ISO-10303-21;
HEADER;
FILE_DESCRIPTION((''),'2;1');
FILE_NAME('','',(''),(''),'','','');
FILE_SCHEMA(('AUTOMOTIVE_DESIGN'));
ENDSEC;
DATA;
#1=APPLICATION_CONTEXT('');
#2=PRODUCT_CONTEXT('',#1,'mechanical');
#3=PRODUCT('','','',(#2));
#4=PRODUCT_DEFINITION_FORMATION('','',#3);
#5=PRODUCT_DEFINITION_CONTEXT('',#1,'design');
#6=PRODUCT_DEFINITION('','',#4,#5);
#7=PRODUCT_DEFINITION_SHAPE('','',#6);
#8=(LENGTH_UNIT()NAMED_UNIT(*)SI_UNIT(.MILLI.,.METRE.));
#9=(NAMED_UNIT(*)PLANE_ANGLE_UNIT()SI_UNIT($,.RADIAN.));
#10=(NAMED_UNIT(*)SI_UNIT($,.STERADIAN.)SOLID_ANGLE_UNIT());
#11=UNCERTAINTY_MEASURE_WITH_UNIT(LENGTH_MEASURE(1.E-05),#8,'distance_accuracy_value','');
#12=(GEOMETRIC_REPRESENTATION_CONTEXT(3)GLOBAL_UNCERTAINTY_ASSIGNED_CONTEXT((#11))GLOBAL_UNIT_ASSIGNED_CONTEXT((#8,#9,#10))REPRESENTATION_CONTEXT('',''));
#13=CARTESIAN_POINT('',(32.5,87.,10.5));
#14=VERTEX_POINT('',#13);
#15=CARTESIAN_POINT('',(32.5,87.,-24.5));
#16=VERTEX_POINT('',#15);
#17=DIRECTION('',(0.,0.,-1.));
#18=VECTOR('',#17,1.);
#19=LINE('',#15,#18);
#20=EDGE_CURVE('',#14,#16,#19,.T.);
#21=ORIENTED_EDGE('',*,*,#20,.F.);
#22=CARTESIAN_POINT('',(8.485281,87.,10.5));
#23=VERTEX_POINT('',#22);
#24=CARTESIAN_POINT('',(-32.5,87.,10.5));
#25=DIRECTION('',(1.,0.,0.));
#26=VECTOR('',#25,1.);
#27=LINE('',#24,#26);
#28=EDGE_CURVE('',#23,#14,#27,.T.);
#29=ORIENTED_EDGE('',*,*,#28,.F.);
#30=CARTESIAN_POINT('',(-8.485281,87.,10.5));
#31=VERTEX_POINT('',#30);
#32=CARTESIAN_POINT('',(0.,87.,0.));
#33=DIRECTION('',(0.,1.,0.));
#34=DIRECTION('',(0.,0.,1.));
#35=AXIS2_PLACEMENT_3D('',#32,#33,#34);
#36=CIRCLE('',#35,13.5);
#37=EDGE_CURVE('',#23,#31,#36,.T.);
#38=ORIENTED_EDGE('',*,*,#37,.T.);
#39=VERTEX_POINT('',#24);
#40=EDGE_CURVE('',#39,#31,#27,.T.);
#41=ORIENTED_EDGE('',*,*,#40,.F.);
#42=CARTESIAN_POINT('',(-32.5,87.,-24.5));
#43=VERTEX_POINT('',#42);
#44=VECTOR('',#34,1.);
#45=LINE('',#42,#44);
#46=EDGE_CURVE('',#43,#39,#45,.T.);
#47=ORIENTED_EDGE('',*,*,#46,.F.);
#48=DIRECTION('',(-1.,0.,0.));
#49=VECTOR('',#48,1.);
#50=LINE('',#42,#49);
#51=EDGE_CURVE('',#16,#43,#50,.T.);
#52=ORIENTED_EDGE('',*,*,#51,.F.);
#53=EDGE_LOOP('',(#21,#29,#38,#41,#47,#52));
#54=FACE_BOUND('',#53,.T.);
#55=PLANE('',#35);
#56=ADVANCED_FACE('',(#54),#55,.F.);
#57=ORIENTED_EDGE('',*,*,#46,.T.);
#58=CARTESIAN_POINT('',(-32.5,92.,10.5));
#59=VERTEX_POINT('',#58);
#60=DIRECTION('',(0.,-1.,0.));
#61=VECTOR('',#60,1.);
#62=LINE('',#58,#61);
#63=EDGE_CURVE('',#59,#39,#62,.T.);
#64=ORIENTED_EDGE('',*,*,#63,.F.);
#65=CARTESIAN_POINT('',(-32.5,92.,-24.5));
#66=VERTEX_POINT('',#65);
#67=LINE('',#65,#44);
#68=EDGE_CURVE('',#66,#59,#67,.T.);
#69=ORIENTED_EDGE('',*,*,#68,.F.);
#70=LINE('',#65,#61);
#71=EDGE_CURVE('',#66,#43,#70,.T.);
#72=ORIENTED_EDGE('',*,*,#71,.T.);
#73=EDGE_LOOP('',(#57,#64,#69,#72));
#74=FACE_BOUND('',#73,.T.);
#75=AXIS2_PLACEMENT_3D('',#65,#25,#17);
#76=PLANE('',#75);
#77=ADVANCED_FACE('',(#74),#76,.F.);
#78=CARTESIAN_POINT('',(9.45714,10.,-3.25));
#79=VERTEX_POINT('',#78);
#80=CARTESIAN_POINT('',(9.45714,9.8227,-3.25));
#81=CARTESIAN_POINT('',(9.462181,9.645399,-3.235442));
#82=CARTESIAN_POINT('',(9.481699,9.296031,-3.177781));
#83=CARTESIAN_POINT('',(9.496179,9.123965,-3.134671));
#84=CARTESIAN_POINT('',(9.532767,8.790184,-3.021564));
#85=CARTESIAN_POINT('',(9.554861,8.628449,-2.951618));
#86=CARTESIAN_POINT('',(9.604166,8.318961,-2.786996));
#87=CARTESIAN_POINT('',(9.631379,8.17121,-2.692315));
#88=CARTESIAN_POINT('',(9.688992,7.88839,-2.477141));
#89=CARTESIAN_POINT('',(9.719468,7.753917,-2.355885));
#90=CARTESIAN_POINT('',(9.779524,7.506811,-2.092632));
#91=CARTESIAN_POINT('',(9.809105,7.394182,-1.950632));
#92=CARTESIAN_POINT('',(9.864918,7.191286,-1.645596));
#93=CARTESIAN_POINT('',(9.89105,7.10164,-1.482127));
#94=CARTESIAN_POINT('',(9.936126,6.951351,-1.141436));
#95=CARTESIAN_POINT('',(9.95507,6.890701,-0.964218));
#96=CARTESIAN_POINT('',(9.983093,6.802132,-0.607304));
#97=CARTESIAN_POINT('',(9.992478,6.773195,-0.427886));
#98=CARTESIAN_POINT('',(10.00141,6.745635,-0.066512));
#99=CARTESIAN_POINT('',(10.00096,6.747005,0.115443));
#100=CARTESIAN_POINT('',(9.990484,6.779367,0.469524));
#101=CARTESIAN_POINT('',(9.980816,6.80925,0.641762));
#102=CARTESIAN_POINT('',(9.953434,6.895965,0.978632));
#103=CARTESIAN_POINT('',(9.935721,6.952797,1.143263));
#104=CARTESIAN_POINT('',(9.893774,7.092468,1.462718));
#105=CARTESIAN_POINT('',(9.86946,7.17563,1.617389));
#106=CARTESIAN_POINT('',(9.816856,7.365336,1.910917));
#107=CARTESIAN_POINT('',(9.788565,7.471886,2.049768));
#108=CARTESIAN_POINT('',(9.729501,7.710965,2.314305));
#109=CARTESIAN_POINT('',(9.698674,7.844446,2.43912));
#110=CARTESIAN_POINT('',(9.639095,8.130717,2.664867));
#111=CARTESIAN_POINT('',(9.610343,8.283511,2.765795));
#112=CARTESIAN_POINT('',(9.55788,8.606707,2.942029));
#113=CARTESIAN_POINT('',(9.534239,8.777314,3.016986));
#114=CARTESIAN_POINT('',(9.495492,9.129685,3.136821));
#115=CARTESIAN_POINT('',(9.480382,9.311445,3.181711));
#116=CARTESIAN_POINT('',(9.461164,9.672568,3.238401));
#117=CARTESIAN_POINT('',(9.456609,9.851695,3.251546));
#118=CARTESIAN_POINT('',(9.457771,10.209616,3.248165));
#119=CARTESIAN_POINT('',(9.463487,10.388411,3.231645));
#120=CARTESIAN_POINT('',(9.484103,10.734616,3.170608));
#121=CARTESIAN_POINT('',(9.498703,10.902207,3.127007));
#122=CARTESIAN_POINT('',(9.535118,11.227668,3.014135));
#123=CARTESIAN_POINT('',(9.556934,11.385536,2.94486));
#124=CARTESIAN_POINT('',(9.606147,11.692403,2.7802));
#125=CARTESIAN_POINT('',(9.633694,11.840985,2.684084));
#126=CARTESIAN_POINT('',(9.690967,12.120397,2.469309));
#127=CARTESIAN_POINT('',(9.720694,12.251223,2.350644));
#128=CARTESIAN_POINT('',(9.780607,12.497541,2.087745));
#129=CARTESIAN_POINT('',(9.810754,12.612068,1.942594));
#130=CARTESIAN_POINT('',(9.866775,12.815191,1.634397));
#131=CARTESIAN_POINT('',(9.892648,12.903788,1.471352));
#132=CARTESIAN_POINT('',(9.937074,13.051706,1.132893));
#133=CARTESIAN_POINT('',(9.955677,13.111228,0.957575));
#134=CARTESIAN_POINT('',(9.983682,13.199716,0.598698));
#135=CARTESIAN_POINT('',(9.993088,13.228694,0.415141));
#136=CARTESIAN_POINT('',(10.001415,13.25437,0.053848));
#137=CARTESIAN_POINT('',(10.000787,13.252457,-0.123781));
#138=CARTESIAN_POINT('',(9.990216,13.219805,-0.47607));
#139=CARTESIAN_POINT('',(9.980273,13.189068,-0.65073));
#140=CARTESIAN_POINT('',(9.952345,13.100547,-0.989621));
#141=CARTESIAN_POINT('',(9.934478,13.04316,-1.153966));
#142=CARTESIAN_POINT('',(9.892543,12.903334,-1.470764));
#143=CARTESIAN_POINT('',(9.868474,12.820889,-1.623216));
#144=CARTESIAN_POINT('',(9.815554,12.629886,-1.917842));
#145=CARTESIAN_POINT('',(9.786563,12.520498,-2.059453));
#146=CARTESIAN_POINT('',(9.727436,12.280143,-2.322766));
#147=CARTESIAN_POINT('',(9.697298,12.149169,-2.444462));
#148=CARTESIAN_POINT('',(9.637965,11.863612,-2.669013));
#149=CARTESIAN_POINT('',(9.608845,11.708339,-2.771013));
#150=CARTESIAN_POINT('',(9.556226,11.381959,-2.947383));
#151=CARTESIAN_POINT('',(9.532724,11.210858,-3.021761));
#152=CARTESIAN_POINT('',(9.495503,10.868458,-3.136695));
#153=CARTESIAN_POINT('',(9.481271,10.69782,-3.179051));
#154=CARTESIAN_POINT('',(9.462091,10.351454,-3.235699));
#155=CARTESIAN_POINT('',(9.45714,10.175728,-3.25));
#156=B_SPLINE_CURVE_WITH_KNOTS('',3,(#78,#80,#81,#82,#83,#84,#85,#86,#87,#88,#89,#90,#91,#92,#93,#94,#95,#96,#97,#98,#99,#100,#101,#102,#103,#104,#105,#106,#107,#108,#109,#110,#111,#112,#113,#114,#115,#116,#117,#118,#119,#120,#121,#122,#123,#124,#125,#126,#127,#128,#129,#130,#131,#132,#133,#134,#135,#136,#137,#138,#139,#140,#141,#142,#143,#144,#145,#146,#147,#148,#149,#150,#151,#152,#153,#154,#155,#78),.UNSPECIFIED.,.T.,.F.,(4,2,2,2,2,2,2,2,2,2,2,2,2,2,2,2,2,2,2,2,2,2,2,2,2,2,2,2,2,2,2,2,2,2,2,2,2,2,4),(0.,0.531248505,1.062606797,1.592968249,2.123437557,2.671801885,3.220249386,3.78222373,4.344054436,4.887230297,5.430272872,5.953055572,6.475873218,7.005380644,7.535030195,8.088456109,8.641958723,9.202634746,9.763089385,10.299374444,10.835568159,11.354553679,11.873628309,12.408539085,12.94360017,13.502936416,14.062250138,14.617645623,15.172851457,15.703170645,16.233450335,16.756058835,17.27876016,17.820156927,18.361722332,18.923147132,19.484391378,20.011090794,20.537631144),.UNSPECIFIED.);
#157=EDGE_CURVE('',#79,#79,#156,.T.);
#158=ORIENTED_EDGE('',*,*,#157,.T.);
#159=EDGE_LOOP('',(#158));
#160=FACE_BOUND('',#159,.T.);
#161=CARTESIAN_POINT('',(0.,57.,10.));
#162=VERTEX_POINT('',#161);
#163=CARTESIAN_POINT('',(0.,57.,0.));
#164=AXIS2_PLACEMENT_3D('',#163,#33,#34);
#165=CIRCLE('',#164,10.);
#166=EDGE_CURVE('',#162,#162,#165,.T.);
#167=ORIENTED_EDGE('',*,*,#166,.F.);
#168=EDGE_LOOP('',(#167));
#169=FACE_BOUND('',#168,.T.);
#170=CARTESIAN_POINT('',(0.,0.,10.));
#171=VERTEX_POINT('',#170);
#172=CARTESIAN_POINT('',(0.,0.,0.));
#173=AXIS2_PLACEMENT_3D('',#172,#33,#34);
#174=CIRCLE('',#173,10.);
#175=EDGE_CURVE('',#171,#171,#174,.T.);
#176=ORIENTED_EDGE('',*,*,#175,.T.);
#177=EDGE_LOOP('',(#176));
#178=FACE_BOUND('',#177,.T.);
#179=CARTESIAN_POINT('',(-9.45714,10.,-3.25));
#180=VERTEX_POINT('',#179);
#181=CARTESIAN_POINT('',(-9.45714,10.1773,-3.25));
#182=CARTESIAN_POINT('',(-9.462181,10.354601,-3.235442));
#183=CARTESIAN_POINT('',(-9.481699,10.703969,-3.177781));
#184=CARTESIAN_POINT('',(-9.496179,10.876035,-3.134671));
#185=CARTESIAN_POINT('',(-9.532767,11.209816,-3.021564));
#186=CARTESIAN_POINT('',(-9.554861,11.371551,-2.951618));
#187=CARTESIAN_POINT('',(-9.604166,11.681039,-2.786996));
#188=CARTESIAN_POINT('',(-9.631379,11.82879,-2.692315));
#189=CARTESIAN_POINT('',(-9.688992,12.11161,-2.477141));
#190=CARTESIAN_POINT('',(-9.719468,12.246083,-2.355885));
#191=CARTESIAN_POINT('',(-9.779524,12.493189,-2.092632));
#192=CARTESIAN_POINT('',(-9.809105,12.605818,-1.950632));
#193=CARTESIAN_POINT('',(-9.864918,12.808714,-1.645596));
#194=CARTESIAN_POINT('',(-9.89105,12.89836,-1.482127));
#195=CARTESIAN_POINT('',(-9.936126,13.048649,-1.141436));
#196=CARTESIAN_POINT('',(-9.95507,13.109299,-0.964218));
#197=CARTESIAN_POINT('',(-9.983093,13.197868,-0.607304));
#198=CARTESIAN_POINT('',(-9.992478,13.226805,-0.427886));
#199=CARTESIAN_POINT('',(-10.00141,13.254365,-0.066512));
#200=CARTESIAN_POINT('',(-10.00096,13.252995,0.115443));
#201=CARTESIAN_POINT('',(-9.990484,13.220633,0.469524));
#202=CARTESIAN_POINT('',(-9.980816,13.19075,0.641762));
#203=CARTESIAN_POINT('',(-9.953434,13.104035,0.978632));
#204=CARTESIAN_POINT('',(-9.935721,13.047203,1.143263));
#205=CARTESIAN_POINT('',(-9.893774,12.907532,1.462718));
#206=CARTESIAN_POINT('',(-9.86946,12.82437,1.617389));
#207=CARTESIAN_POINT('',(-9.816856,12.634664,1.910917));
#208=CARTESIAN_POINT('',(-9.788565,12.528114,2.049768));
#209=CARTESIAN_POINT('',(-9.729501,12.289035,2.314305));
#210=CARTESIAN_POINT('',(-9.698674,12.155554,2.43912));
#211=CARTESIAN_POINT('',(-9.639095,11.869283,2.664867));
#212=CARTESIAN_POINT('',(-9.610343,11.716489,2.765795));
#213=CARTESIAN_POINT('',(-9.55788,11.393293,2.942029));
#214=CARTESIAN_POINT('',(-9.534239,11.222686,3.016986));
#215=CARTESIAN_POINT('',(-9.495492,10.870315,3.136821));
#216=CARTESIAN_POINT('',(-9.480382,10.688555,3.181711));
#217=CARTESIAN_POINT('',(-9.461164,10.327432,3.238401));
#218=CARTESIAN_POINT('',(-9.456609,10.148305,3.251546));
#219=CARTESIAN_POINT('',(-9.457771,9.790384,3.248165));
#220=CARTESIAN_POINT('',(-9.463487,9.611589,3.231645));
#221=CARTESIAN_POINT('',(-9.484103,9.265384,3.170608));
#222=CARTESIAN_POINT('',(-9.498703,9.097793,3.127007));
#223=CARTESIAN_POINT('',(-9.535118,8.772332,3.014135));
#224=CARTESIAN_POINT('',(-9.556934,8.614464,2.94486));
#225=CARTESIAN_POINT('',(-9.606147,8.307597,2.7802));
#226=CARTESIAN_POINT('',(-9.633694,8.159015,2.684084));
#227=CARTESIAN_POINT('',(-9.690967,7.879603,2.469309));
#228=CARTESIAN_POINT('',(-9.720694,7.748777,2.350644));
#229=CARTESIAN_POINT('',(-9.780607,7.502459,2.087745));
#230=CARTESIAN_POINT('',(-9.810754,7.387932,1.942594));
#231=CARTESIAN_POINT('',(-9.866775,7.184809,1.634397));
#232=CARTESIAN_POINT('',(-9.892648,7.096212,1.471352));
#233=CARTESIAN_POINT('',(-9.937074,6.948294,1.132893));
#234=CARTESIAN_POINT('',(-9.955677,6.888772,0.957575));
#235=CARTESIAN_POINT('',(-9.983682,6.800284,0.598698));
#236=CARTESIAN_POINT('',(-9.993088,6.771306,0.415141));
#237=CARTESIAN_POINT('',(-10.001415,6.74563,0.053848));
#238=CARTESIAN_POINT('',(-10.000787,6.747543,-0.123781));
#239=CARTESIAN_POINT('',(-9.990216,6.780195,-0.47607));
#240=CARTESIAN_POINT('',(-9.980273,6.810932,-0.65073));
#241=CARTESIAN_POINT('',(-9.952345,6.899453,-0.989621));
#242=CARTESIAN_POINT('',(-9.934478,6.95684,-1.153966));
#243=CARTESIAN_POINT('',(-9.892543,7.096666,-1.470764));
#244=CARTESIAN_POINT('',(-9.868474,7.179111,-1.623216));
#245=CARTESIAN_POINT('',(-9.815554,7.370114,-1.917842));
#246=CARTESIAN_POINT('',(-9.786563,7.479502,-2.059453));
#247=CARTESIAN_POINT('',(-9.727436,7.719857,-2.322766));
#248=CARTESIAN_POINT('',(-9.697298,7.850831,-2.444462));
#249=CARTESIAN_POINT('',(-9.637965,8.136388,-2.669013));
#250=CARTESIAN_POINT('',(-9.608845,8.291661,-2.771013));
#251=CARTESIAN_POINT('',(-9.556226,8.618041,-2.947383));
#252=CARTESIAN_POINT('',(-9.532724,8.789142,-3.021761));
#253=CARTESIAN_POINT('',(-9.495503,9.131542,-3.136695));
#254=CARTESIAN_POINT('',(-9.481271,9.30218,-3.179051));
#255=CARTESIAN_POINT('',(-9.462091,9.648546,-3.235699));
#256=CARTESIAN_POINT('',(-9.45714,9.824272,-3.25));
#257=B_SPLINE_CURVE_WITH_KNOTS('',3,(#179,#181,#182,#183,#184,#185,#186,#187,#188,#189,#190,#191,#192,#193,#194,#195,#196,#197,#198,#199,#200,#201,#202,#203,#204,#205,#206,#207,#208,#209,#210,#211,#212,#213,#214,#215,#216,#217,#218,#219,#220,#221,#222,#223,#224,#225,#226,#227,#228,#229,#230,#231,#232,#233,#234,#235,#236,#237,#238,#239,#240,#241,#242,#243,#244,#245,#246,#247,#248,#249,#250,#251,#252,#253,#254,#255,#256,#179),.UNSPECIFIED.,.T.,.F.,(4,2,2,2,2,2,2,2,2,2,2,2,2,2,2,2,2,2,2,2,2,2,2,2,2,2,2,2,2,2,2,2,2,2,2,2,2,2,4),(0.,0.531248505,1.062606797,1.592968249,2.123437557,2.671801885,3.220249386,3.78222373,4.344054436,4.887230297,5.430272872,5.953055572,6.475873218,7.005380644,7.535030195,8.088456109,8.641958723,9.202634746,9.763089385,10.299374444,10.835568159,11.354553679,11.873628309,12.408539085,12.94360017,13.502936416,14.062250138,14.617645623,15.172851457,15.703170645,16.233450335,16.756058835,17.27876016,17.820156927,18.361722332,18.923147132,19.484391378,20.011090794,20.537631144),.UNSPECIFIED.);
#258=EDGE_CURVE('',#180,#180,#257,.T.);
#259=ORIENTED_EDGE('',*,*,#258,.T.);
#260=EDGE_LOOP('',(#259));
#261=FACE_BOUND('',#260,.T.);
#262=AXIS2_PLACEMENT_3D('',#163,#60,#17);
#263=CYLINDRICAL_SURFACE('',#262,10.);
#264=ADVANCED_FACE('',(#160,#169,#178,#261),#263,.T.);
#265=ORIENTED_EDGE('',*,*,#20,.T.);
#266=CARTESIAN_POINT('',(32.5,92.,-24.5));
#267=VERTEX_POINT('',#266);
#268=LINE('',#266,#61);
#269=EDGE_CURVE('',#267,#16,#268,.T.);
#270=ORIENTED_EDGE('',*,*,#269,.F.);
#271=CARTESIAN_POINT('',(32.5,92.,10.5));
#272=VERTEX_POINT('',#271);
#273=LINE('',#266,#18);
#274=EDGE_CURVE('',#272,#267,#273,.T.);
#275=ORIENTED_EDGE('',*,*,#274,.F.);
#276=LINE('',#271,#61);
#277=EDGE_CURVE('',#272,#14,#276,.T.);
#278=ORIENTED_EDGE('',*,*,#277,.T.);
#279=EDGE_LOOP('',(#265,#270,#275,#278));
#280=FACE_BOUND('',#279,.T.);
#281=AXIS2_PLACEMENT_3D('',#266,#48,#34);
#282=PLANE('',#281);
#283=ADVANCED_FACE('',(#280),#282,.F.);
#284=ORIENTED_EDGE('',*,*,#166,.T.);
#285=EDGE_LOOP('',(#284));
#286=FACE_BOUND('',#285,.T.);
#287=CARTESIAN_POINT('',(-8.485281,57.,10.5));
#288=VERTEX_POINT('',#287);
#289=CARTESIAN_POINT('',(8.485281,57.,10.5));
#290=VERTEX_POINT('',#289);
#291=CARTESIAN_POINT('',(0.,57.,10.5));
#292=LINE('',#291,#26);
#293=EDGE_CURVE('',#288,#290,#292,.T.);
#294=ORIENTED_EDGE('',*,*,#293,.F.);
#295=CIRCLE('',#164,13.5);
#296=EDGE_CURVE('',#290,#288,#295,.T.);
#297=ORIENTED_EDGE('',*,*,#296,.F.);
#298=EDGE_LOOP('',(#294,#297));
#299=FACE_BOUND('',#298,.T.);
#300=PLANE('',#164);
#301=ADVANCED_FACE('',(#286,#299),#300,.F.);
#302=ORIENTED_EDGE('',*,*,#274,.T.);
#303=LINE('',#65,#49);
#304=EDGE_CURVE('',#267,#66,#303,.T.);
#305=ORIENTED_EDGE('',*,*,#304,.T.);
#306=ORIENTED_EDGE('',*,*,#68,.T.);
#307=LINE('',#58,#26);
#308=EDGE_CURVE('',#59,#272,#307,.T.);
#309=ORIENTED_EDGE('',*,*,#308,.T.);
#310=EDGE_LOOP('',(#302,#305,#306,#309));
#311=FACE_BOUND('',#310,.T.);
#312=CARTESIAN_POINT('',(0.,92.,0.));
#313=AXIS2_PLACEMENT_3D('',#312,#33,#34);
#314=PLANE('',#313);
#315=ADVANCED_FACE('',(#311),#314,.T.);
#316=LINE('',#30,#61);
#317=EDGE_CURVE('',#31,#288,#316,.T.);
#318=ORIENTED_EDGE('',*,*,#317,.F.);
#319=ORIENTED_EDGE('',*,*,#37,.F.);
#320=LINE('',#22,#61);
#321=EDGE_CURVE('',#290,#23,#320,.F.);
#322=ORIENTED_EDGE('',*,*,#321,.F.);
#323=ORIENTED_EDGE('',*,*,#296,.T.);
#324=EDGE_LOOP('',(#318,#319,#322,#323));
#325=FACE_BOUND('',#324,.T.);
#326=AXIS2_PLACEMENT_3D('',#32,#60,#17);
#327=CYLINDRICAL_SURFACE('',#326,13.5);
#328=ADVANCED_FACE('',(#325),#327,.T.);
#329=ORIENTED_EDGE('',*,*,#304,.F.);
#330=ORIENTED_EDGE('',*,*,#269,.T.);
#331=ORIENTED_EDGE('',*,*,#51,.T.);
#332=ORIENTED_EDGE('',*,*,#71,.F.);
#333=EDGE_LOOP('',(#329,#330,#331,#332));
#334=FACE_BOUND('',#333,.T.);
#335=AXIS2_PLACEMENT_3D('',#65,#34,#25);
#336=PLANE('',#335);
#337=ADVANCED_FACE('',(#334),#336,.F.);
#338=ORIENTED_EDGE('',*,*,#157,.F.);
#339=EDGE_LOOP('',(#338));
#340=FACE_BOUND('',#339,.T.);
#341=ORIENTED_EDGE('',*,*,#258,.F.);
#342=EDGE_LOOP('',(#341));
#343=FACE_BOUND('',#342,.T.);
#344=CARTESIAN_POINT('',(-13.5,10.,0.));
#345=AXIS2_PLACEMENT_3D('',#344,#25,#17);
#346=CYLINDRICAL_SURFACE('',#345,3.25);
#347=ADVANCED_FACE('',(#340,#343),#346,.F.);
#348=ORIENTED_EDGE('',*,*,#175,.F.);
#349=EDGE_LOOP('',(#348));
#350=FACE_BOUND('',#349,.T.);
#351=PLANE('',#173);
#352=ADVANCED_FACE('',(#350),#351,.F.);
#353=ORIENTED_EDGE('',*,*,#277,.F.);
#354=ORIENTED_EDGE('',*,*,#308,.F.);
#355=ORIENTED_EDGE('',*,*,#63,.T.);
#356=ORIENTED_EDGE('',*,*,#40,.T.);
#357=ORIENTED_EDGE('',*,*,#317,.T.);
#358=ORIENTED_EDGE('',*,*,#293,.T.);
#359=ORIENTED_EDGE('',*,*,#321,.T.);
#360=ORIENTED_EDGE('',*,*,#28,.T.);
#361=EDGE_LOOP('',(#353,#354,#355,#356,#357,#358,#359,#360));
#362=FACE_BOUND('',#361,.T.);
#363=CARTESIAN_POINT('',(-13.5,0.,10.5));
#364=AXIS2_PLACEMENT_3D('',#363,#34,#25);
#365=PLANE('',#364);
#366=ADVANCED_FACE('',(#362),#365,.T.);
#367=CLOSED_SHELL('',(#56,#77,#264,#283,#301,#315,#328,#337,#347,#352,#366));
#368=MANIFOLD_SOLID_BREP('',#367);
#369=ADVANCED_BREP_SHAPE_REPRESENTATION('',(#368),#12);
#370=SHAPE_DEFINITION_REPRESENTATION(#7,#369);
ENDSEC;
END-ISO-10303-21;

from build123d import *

# Parameters (mm, degrees)
SKETCH_1_R               = 10
EXTRUDE_1_DEPTH          = 57
SKETCH_2_R               = 13.5
EXTRUDE_2_DEPTH          = 30
CUT_EXTRUDE_1_DEPTH      = 90.070197036
CUT_EXTRUDE_1_DEPTH_BACK = 90.070197036
SKETCH_7_R               = 3.25
SKETCH_8_W               = 27
SKETCH_8_H               = 6
CUT_EXTRUDE_2_DEPTH      = 90.070197133
SKETCH_9_W               = 65
SKETCH_9_H               = 35
EXTRUDE_3_DEPTH          = 5


with BuildPart() as part:
    # 스케치1 → 보스-돌출1 (new body)
    with BuildSketch(Plane(origin=(0, 0, 0), x_dir=(1, 0, 0), z_dir=(0, 1, 0))):
        with Locations(Location((0, 0, 0), (0, 0, 90))):
            Circle(SKETCH_1_R)
    extrude(amount=EXTRUDE_1_DEPTH)

    # 스케치2 → 보스-돌출2 (add)
    with BuildSketch(Plane(origin=(0, 57, 0), x_dir=(1, 0, 0), z_dir=(0, 1, 0))):
        with Locations(Location((0, 0, 0), (0, 0, 270))):
            Circle(SKETCH_2_R)
    extrude(amount=EXTRUDE_2_DEPTH)

    # 스케치7 → 컷-돌출1 (cut, two sides: drawn at the far end of the back side and taken through both)
    with BuildSketch(Plane(origin=(0, 0, 0), x_dir=(0, 0, -1), z_dir=(1, 0, 0)).offset(-CUT_EXTRUDE_1_DEPTH_BACK)):
        with Locations((0, 10)):
            Circle(SKETCH_7_R)
    extrude(amount=CUT_EXTRUDE_1_DEPTH + CUT_EXTRUDE_1_DEPTH_BACK, mode=Mode.SUBTRACT)

    # 스케치8 → 컷-돌출2 (cut, through all)
    with BuildSketch(Plane(origin=(0, 87, 0), x_dir=(1, 0, 0), z_dir=(0, 1, 0))):
        with Locations((0, -13.5)):
            Rectangle(SKETCH_8_W, SKETCH_8_H)
    extrude(amount=-CUT_EXTRUDE_2_DEPTH, mode=Mode.SUBTRACT)

    # 스케치9 → 보스-돌출3 (add)
    with BuildSketch(Plane(origin=(0, 87, 0), x_dir=(1, 0, 0), z_dir=(0, 1, 0))):
        with Locations((0, 7)):
            Rectangle(SKETCH_9_W, SKETCH_9_H)
    extrude(amount=EXTRUDE_3_DEPTH)


solid = part.part
